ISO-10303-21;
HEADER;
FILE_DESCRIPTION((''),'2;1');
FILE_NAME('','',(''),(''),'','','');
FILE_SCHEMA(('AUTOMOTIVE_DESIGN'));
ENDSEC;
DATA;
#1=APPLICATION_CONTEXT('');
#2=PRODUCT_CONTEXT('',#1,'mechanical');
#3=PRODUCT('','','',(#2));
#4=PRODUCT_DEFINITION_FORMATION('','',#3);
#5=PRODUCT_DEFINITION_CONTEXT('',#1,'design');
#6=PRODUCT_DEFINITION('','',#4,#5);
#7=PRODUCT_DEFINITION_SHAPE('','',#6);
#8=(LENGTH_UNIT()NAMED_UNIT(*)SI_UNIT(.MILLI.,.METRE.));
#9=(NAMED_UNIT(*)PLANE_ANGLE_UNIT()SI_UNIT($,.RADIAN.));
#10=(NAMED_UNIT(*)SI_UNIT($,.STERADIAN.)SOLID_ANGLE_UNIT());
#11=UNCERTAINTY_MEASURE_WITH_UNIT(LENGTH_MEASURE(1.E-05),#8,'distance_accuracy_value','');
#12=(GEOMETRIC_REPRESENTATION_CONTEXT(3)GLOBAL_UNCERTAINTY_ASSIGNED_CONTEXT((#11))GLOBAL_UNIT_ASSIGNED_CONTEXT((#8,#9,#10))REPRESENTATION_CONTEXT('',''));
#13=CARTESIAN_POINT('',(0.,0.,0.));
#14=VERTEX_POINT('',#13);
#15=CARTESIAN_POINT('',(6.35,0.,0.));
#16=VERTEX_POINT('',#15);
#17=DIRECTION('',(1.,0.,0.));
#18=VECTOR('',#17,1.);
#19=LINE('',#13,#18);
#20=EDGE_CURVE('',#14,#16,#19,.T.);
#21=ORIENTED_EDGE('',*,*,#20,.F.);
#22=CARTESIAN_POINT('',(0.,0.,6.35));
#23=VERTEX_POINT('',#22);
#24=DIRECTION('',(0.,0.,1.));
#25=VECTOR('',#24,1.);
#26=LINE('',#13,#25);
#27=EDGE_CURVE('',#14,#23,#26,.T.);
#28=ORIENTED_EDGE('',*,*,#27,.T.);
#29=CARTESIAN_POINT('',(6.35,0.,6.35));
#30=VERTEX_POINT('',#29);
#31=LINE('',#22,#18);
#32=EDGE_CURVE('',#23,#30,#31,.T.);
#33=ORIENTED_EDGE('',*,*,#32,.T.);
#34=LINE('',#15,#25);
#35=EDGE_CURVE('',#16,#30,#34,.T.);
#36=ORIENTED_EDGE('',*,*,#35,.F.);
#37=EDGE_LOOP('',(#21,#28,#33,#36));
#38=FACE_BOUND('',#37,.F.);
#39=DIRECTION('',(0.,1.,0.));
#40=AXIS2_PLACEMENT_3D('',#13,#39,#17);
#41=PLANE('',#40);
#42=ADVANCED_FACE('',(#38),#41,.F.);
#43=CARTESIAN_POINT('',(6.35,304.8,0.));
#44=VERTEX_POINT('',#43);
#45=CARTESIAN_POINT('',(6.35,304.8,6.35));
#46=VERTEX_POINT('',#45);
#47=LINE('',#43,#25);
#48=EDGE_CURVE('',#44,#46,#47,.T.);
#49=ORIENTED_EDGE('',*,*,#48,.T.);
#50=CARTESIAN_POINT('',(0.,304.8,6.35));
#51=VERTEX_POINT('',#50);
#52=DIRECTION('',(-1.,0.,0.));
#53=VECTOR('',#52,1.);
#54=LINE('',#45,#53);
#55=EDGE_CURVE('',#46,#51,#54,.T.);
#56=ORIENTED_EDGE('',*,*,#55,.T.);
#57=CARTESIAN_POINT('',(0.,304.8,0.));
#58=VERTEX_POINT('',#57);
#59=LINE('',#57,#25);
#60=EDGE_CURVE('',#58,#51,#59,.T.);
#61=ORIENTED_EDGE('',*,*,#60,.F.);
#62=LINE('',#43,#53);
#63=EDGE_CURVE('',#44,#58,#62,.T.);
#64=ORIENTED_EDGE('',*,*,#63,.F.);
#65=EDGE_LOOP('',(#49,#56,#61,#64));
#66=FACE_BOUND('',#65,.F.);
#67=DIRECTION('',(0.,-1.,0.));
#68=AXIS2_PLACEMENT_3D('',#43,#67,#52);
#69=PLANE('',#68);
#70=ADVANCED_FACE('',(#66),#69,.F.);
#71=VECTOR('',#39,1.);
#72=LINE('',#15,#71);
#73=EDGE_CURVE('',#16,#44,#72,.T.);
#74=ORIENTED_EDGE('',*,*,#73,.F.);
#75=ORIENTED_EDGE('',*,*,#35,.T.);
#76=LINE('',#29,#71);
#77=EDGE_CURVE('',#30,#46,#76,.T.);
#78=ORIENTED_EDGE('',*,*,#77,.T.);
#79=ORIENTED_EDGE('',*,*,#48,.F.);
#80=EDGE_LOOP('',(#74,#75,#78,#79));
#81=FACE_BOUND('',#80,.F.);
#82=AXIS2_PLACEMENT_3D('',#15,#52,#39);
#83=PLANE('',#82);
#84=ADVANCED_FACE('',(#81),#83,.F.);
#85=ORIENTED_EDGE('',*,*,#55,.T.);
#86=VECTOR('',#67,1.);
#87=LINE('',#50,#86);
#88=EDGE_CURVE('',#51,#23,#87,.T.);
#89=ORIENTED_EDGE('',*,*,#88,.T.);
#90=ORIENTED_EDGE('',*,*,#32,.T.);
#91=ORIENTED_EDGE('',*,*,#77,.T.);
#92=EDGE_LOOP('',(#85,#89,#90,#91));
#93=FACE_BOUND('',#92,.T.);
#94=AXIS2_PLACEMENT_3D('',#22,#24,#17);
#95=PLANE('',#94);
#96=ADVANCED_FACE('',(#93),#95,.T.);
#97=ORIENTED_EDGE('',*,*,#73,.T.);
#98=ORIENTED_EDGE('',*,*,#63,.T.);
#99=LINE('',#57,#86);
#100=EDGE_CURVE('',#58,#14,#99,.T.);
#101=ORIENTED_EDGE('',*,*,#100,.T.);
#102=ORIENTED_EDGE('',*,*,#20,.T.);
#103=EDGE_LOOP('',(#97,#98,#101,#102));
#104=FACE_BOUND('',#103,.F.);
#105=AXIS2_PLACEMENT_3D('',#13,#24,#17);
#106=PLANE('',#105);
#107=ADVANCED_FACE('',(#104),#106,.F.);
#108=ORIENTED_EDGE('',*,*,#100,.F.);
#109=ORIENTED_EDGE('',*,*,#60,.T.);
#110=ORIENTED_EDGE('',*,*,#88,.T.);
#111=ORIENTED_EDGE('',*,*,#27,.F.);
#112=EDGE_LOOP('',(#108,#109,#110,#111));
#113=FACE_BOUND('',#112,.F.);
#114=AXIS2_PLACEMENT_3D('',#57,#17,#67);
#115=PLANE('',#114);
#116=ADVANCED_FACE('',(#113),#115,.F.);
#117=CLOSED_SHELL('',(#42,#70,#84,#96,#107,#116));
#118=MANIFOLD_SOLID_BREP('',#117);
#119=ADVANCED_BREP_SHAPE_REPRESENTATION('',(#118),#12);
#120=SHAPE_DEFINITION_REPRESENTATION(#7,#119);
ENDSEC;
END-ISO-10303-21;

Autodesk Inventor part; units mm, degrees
ref_plane "YZ Plane" through (0, 0, 0) normal (1, 0, 0) x (0, 1, 0)
ref_plane "XZ Plane" through (0, 0, 0) normal (0, 1, 0) x (-1, 0, 0)
ref_plane "XY Plane" through (0, 0, 0) normal (0, 0, 1) x (1, 0, 0)
sketch "Sketch1" plane through (0, 0, 0) normal (0, 0, 1) x (1, 0, 0)
  line L0 (0, 0) -> (6.35, 0)
  line L1 (6.35, 0) -> (6.35, 304.8)
  line L2 (6.35, 304.8) -> (0, 304.8)
  line L3 (0, 304.8) -> (0, 0)
  dimension "d0" = 6.35
  dimension "d1" = 304.8
extrude "Extrusion1" add sketch "Sketch1" along normal blind 6.35
properties part number "bottombarlift"
